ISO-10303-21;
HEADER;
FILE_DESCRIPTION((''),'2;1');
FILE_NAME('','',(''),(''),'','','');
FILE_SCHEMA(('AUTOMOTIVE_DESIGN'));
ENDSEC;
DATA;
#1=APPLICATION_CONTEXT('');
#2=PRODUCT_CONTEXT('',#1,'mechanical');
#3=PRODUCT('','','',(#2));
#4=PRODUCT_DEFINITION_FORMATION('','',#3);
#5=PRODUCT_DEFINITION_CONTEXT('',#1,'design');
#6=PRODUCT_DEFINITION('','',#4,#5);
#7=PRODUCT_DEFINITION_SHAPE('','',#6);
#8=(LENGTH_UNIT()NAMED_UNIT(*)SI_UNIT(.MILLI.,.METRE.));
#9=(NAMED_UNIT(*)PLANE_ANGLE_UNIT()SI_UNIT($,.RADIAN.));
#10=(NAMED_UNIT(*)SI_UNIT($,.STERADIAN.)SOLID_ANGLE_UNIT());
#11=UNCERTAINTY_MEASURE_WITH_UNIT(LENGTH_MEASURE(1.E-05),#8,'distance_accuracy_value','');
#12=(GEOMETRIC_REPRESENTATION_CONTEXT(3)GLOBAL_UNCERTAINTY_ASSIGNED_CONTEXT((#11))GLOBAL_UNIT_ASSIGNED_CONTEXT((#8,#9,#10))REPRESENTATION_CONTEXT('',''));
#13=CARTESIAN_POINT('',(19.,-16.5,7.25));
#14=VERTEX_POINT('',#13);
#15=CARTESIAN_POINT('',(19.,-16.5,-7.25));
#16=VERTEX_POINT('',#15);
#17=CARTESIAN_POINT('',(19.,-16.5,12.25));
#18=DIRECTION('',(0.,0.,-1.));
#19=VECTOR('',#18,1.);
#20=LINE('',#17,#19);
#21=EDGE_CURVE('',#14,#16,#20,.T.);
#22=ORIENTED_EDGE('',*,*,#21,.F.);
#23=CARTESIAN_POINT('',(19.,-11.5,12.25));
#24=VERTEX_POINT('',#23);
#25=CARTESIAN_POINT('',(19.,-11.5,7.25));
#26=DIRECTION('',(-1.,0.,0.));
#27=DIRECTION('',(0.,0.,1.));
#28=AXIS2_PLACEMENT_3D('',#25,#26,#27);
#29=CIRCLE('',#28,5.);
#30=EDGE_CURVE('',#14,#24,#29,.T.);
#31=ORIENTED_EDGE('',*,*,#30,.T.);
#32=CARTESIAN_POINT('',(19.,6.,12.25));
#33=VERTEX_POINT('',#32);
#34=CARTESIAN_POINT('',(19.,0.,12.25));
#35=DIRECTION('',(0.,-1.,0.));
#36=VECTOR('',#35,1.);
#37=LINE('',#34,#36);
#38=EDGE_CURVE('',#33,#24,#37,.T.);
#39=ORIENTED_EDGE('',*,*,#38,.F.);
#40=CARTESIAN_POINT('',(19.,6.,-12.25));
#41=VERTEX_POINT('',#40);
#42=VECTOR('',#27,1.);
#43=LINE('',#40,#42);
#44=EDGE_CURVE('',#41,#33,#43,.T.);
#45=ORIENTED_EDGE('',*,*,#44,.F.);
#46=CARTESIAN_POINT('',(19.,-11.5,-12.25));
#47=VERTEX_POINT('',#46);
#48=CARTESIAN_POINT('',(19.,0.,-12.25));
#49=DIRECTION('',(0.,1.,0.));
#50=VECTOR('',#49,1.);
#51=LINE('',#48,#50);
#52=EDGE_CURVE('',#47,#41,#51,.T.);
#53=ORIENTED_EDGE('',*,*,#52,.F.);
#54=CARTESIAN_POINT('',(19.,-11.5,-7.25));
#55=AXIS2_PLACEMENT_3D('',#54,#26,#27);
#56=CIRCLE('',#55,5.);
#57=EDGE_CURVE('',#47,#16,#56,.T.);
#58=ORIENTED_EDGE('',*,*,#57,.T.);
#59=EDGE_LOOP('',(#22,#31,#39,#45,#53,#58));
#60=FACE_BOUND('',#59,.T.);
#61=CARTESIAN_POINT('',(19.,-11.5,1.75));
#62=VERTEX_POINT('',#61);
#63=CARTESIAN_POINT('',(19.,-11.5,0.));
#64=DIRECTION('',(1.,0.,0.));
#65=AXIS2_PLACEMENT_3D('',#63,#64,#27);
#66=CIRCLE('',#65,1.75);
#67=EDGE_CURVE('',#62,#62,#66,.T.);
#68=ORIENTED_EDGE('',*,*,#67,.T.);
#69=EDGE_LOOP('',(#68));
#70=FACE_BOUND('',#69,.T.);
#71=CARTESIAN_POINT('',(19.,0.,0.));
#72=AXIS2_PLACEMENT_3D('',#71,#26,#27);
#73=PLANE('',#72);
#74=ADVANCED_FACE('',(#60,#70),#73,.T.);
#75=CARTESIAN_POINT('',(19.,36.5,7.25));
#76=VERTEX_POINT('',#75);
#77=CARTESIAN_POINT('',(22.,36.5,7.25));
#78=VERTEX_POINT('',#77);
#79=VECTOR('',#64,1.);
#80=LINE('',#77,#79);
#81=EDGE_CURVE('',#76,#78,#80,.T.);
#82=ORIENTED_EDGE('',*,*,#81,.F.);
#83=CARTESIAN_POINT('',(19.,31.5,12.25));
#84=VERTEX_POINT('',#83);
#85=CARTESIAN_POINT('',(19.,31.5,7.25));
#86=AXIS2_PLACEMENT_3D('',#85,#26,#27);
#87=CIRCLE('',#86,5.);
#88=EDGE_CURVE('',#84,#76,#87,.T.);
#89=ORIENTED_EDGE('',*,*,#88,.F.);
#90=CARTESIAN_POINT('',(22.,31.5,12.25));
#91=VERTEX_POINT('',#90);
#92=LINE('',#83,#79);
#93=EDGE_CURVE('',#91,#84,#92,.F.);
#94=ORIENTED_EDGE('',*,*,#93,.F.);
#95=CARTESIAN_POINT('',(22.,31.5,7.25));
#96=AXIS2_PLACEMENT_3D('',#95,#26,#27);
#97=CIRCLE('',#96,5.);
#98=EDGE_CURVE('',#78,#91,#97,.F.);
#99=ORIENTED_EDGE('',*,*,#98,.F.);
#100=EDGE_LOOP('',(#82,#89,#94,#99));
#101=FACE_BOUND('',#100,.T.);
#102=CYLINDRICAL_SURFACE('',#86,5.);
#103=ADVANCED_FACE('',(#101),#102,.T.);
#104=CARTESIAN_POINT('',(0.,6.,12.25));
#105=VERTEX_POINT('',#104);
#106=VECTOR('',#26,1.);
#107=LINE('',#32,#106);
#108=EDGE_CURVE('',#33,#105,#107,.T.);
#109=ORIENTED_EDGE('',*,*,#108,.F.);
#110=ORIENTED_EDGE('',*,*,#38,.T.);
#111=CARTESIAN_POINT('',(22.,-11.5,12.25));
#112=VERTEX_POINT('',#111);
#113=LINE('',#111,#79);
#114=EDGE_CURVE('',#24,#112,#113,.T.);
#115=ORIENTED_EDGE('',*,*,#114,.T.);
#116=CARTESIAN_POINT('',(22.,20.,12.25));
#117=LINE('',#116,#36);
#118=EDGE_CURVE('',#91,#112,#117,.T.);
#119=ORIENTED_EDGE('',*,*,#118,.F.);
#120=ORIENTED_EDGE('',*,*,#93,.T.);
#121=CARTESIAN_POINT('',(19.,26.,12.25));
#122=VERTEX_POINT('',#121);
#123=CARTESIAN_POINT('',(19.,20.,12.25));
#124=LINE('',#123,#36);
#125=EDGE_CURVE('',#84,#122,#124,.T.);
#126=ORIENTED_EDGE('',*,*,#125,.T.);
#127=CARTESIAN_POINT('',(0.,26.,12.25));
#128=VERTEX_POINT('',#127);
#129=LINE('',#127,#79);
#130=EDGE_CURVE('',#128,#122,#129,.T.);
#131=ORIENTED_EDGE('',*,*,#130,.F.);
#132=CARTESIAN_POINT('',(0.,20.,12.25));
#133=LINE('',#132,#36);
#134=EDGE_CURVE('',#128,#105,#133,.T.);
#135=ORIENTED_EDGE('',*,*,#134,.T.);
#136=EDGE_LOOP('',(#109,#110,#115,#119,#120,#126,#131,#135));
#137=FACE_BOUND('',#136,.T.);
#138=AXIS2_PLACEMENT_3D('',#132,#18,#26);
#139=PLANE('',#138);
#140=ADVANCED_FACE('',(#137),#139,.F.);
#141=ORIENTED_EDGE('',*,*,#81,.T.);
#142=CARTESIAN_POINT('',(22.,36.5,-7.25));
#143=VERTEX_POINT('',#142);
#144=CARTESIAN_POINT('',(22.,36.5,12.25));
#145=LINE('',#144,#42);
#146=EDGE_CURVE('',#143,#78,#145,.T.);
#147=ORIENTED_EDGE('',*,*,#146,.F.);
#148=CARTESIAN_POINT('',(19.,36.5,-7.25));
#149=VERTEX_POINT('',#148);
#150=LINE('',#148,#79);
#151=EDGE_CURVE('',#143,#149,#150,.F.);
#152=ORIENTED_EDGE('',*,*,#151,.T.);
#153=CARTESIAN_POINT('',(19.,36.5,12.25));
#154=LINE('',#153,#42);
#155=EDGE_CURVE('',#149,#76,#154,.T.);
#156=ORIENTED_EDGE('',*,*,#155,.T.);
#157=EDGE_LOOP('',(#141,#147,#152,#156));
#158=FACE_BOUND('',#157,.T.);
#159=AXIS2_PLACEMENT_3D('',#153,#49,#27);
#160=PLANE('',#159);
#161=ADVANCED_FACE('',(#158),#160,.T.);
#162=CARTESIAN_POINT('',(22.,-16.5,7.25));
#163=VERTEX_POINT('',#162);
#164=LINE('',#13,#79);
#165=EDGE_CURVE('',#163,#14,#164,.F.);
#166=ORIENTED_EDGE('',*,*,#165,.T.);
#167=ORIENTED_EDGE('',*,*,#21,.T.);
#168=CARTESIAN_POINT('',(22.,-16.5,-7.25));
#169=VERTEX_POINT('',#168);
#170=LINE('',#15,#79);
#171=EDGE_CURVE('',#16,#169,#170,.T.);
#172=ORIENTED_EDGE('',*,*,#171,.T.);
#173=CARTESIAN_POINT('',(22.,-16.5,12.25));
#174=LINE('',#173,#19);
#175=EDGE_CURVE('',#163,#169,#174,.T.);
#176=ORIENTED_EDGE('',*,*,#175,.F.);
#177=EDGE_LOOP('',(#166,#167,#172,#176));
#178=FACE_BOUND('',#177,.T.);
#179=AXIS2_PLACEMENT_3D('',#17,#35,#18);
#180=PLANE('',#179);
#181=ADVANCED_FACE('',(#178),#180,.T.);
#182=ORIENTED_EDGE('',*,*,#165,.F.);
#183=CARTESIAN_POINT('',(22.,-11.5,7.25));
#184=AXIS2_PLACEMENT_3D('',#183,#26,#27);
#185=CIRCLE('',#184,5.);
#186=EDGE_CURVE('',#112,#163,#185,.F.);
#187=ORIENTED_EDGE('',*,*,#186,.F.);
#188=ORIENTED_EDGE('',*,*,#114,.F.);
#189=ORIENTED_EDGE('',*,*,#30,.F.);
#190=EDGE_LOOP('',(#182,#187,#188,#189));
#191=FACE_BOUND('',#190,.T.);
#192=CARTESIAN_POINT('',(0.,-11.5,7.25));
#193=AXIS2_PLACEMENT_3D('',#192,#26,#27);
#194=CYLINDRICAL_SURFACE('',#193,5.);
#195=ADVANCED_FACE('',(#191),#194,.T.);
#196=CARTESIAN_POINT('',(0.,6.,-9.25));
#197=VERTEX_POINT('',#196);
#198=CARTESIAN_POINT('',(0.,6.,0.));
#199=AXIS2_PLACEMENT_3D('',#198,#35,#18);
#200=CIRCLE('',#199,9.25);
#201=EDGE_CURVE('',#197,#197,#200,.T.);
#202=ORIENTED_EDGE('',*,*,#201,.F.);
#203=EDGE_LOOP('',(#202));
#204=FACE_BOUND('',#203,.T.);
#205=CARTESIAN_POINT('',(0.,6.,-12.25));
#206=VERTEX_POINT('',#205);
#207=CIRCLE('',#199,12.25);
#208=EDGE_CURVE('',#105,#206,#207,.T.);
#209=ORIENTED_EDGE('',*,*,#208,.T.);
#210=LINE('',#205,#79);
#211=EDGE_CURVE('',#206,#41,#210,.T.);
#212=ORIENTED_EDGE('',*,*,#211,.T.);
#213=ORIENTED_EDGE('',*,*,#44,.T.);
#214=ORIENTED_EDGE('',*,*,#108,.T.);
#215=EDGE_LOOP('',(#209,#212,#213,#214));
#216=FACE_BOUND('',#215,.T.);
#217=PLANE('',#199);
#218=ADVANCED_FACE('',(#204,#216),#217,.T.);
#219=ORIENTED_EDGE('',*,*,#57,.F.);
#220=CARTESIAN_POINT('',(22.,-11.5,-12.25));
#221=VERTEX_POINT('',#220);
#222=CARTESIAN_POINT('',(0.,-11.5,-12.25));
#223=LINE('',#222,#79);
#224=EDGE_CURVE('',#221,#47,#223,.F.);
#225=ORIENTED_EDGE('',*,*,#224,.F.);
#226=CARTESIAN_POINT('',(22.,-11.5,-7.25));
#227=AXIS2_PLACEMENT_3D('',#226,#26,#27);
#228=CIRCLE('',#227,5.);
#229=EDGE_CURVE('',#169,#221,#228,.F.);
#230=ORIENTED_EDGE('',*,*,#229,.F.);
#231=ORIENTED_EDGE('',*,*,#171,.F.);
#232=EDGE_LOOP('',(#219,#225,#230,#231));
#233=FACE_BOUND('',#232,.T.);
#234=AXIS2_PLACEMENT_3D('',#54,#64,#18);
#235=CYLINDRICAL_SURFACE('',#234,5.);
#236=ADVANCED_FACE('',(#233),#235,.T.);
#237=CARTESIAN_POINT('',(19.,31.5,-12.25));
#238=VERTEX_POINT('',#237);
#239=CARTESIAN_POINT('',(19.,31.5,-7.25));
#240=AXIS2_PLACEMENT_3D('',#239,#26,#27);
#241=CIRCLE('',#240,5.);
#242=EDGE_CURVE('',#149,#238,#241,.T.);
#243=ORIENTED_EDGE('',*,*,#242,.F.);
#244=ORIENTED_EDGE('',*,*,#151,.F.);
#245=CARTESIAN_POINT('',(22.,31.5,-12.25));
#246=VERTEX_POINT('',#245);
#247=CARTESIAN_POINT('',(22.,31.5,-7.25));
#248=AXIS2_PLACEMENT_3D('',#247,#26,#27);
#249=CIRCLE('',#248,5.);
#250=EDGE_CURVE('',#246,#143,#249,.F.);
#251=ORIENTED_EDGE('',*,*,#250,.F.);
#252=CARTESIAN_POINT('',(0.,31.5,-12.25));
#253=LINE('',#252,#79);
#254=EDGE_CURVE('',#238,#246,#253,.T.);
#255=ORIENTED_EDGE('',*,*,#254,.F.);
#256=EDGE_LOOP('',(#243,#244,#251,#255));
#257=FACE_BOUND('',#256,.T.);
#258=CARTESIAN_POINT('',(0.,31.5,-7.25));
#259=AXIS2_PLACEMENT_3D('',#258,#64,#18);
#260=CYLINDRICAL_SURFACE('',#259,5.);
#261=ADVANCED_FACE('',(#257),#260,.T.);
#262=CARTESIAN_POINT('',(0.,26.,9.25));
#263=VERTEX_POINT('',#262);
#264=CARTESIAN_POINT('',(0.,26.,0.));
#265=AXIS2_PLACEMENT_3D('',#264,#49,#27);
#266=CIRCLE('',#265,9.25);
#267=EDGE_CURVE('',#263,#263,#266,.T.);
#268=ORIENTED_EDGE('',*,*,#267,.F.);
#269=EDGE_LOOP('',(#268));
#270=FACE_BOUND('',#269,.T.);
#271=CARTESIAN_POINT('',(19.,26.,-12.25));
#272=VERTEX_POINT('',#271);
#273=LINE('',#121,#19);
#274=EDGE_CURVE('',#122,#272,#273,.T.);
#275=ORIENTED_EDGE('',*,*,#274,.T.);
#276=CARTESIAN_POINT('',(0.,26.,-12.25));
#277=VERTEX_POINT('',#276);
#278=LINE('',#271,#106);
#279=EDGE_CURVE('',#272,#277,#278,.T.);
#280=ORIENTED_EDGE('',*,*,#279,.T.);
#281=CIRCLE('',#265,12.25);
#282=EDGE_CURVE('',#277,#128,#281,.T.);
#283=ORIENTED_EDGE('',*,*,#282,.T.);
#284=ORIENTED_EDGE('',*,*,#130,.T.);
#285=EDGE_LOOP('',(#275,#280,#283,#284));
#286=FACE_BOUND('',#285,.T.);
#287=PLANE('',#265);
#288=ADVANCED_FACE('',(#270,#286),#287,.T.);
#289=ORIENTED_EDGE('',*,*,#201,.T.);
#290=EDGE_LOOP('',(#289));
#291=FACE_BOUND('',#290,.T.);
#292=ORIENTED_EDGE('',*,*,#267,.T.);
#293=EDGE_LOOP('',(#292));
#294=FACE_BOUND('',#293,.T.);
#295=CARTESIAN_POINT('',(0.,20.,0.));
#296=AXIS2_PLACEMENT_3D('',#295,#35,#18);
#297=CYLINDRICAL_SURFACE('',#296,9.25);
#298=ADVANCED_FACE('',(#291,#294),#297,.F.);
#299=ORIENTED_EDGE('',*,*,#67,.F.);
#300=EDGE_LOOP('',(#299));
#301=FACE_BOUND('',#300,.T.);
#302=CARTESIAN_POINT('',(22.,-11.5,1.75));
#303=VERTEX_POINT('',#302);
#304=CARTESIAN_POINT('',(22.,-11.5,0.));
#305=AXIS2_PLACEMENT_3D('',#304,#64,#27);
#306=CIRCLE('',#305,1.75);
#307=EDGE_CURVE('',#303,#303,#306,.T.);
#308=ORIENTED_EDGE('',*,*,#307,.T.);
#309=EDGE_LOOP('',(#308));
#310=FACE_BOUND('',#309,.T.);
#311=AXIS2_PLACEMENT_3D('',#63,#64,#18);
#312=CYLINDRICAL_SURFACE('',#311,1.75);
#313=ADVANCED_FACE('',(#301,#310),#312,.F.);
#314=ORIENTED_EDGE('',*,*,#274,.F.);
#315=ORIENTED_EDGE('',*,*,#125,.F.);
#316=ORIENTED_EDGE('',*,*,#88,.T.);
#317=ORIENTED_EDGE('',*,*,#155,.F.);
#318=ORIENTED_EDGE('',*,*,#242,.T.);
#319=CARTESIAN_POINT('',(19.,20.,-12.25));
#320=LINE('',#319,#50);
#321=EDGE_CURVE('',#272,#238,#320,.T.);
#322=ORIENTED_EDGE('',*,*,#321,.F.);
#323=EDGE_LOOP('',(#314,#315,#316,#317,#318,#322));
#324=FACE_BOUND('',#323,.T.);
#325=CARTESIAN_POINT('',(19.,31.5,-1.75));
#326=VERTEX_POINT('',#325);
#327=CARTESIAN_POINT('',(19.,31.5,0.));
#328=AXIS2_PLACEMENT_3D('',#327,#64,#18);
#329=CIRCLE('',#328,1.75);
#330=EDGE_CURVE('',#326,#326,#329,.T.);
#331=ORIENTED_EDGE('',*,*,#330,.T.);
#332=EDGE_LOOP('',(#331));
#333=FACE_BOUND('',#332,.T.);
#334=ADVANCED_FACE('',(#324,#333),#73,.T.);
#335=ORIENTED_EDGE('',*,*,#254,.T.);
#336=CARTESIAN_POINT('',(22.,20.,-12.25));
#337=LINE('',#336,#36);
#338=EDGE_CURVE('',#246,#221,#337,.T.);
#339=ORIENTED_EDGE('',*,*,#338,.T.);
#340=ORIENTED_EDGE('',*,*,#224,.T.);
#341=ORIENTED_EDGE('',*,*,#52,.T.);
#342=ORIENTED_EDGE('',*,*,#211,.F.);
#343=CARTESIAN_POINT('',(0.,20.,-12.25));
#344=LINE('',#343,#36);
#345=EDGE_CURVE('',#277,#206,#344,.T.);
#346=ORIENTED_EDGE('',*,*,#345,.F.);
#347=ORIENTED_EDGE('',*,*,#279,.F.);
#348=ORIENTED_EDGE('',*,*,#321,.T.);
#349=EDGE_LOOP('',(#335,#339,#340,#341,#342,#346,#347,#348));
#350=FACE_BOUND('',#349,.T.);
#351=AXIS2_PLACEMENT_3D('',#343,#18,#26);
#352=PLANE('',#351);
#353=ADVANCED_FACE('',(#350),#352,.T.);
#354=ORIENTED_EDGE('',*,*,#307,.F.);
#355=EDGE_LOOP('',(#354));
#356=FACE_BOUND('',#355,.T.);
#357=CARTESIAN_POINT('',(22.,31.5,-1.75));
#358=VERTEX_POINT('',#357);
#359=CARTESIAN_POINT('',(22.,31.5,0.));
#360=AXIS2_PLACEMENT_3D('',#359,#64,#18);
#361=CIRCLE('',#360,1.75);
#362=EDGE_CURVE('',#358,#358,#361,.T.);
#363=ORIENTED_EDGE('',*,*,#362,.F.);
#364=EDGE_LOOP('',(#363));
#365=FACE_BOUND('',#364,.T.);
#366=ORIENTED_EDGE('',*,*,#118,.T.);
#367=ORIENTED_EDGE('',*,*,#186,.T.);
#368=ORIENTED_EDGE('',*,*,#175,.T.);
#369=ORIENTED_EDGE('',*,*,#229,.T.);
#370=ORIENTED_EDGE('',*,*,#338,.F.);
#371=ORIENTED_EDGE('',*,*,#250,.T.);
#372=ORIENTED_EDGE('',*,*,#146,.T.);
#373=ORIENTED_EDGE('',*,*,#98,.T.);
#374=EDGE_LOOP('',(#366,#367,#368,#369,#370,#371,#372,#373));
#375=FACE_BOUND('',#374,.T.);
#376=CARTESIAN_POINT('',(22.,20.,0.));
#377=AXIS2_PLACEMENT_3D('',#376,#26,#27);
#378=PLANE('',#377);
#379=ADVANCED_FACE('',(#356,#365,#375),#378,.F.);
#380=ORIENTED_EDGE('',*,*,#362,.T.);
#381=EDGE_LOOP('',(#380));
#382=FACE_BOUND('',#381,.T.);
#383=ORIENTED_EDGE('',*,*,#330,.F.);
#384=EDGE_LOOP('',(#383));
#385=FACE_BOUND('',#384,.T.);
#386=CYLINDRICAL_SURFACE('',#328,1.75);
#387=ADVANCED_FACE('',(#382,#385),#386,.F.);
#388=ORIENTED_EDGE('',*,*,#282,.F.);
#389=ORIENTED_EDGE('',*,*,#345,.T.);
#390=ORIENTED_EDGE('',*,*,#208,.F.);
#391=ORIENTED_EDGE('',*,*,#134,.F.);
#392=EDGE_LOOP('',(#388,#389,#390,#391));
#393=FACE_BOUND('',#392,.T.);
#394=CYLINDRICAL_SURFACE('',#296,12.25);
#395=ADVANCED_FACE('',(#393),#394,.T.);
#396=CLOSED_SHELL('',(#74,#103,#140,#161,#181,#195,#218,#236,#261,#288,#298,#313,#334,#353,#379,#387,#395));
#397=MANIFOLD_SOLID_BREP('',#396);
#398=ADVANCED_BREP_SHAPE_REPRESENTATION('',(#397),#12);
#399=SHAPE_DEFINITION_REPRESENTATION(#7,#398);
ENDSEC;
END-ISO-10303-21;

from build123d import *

# Parameters (mm, degrees)
BOSS_EXTRUDE1_DEPTH = 20
SKETCH2_W           = 24.5
SKETCH2_H           = 16.5
SKETCH2_R           = 1.75
BOSS_EXTRUDE2_DEPTH = 3
FILLET1_R           = 5
SKETCH4_R           = 9.25
BOSS_EXTRUDE4_DEPTH = 6
SKETCH3_R           = 9.25
CUT_EXTRUDE1_DEPTH  = 6


with BuildPart() as part:
    # Sketch1 → Boss-Extrude1 (new body)
    with BuildSketch(Plane(origin=(0, 0, 0), x_dir=(1, 0, 0), z_dir=(0, 1, 0))):
        with BuildLine():
            Line((0, 12.25), (0, 9.25))
            ThreePointArc((0, 9.25), (6.540737726, 6.540737726), (9.25, 0))
            ThreePointArc((9.25, 0), (6.540737726, -6.540737726), (0, -9.25))
            Line((0, -9.25), (0, -12.25))
            Line((0, -12.25), (22, -12.25))
            Line((22, -12.25), (22, 12.25))
            Line((22, 12.25), (0, 12.25))
        make_face()
        with BuildLine():
            ThreePointArc((0, -9.25), (-9.25, 0), (0, 9.25))
            Line((0, 9.25), (0, 12.25))
            ThreePointArc((0, 12.25), (-12.25, 0), (0, -12.25))
            Line((0, -12.25), (0, -9.25))
        make_face()
    extrude(amount=BOSS_EXTRUDE1_DEPTH)

    # Sketch2 → Boss-Extrude2 (add)
    with BuildSketch(Plane(origin=(22, 0, 0), x_dir=(0, 0, -1), z_dir=(1, 0, 0))):
        with Locations((0, 28.25)):
            Rectangle(SKETCH2_W, SKETCH2_H)
        with Locations((0, 31.5)):
            Circle(SKETCH2_R, mode=Mode.SUBTRACT)
        with Locations((0, -8.25)):
            Rectangle(SKETCH2_W, SKETCH2_H)
        with Locations(Location((0, -11.5, 0), (0, 0, 180))):
            Circle(SKETCH2_R, mode=Mode.SUBTRACT)
    extrude(amount=-BOSS_EXTRUDE2_DEPTH)

    # Fillet1
    fillet1_edges = [part.edges().sort_by_distance(p)[0] for p in [
        (20.5, 36.5, 12.25),
        (20.5, 36.5, -12.25),
        (20.5, -16.5, -12.25),
        (20.5, -16.5, 12.25),
    ]]
    fillet(fillet1_edges, radius=FILLET1_R)

    # Sketch4 → Boss-Extrude4 (add)
    with BuildSketch(Plane(origin=(0, 20, 0), x_dir=(1, 0, 0), z_dir=(0, 1, 0))):
        with BuildLine():
            Line((0, -12.25), (19, -12.25))
            Line((19, -12.25), (19, 12.25))
            Line((19, 12.25), (0, 12.25))
            ThreePointArc((0, 12.25), (-12.25, 0), (0, -12.25))
        make_face()
        with Locations(Location((0, 0, 0), (0, 0, 270))):
            Circle(SKETCH4_R, mode=Mode.SUBTRACT)
    extrude(amount=BOSS_EXTRUDE4_DEPTH)

    # Sketch3 → Cut-Extrude1 (cut)
    with BuildSketch(Plane.XZ):
        with BuildLine():
            Line((0, -12.25), (19, -12.25))
            Line((19, -12.25), (19, 12.25))
            Line((19, 12.25), (0, 12.25))
            ThreePointArc((0, 12.25), (-12.25, 0), (0, -12.25))
        make_face()
        with Locations(Location((0, 0, 0), (0, 0, 270))):
            Circle(SKETCH3_R, mode=Mode.SUBTRACT)
    extrude(amount=-CUT_EXTRUDE1_DEPTH, mode=Mode.SUBTRACT)


solid = part.part
